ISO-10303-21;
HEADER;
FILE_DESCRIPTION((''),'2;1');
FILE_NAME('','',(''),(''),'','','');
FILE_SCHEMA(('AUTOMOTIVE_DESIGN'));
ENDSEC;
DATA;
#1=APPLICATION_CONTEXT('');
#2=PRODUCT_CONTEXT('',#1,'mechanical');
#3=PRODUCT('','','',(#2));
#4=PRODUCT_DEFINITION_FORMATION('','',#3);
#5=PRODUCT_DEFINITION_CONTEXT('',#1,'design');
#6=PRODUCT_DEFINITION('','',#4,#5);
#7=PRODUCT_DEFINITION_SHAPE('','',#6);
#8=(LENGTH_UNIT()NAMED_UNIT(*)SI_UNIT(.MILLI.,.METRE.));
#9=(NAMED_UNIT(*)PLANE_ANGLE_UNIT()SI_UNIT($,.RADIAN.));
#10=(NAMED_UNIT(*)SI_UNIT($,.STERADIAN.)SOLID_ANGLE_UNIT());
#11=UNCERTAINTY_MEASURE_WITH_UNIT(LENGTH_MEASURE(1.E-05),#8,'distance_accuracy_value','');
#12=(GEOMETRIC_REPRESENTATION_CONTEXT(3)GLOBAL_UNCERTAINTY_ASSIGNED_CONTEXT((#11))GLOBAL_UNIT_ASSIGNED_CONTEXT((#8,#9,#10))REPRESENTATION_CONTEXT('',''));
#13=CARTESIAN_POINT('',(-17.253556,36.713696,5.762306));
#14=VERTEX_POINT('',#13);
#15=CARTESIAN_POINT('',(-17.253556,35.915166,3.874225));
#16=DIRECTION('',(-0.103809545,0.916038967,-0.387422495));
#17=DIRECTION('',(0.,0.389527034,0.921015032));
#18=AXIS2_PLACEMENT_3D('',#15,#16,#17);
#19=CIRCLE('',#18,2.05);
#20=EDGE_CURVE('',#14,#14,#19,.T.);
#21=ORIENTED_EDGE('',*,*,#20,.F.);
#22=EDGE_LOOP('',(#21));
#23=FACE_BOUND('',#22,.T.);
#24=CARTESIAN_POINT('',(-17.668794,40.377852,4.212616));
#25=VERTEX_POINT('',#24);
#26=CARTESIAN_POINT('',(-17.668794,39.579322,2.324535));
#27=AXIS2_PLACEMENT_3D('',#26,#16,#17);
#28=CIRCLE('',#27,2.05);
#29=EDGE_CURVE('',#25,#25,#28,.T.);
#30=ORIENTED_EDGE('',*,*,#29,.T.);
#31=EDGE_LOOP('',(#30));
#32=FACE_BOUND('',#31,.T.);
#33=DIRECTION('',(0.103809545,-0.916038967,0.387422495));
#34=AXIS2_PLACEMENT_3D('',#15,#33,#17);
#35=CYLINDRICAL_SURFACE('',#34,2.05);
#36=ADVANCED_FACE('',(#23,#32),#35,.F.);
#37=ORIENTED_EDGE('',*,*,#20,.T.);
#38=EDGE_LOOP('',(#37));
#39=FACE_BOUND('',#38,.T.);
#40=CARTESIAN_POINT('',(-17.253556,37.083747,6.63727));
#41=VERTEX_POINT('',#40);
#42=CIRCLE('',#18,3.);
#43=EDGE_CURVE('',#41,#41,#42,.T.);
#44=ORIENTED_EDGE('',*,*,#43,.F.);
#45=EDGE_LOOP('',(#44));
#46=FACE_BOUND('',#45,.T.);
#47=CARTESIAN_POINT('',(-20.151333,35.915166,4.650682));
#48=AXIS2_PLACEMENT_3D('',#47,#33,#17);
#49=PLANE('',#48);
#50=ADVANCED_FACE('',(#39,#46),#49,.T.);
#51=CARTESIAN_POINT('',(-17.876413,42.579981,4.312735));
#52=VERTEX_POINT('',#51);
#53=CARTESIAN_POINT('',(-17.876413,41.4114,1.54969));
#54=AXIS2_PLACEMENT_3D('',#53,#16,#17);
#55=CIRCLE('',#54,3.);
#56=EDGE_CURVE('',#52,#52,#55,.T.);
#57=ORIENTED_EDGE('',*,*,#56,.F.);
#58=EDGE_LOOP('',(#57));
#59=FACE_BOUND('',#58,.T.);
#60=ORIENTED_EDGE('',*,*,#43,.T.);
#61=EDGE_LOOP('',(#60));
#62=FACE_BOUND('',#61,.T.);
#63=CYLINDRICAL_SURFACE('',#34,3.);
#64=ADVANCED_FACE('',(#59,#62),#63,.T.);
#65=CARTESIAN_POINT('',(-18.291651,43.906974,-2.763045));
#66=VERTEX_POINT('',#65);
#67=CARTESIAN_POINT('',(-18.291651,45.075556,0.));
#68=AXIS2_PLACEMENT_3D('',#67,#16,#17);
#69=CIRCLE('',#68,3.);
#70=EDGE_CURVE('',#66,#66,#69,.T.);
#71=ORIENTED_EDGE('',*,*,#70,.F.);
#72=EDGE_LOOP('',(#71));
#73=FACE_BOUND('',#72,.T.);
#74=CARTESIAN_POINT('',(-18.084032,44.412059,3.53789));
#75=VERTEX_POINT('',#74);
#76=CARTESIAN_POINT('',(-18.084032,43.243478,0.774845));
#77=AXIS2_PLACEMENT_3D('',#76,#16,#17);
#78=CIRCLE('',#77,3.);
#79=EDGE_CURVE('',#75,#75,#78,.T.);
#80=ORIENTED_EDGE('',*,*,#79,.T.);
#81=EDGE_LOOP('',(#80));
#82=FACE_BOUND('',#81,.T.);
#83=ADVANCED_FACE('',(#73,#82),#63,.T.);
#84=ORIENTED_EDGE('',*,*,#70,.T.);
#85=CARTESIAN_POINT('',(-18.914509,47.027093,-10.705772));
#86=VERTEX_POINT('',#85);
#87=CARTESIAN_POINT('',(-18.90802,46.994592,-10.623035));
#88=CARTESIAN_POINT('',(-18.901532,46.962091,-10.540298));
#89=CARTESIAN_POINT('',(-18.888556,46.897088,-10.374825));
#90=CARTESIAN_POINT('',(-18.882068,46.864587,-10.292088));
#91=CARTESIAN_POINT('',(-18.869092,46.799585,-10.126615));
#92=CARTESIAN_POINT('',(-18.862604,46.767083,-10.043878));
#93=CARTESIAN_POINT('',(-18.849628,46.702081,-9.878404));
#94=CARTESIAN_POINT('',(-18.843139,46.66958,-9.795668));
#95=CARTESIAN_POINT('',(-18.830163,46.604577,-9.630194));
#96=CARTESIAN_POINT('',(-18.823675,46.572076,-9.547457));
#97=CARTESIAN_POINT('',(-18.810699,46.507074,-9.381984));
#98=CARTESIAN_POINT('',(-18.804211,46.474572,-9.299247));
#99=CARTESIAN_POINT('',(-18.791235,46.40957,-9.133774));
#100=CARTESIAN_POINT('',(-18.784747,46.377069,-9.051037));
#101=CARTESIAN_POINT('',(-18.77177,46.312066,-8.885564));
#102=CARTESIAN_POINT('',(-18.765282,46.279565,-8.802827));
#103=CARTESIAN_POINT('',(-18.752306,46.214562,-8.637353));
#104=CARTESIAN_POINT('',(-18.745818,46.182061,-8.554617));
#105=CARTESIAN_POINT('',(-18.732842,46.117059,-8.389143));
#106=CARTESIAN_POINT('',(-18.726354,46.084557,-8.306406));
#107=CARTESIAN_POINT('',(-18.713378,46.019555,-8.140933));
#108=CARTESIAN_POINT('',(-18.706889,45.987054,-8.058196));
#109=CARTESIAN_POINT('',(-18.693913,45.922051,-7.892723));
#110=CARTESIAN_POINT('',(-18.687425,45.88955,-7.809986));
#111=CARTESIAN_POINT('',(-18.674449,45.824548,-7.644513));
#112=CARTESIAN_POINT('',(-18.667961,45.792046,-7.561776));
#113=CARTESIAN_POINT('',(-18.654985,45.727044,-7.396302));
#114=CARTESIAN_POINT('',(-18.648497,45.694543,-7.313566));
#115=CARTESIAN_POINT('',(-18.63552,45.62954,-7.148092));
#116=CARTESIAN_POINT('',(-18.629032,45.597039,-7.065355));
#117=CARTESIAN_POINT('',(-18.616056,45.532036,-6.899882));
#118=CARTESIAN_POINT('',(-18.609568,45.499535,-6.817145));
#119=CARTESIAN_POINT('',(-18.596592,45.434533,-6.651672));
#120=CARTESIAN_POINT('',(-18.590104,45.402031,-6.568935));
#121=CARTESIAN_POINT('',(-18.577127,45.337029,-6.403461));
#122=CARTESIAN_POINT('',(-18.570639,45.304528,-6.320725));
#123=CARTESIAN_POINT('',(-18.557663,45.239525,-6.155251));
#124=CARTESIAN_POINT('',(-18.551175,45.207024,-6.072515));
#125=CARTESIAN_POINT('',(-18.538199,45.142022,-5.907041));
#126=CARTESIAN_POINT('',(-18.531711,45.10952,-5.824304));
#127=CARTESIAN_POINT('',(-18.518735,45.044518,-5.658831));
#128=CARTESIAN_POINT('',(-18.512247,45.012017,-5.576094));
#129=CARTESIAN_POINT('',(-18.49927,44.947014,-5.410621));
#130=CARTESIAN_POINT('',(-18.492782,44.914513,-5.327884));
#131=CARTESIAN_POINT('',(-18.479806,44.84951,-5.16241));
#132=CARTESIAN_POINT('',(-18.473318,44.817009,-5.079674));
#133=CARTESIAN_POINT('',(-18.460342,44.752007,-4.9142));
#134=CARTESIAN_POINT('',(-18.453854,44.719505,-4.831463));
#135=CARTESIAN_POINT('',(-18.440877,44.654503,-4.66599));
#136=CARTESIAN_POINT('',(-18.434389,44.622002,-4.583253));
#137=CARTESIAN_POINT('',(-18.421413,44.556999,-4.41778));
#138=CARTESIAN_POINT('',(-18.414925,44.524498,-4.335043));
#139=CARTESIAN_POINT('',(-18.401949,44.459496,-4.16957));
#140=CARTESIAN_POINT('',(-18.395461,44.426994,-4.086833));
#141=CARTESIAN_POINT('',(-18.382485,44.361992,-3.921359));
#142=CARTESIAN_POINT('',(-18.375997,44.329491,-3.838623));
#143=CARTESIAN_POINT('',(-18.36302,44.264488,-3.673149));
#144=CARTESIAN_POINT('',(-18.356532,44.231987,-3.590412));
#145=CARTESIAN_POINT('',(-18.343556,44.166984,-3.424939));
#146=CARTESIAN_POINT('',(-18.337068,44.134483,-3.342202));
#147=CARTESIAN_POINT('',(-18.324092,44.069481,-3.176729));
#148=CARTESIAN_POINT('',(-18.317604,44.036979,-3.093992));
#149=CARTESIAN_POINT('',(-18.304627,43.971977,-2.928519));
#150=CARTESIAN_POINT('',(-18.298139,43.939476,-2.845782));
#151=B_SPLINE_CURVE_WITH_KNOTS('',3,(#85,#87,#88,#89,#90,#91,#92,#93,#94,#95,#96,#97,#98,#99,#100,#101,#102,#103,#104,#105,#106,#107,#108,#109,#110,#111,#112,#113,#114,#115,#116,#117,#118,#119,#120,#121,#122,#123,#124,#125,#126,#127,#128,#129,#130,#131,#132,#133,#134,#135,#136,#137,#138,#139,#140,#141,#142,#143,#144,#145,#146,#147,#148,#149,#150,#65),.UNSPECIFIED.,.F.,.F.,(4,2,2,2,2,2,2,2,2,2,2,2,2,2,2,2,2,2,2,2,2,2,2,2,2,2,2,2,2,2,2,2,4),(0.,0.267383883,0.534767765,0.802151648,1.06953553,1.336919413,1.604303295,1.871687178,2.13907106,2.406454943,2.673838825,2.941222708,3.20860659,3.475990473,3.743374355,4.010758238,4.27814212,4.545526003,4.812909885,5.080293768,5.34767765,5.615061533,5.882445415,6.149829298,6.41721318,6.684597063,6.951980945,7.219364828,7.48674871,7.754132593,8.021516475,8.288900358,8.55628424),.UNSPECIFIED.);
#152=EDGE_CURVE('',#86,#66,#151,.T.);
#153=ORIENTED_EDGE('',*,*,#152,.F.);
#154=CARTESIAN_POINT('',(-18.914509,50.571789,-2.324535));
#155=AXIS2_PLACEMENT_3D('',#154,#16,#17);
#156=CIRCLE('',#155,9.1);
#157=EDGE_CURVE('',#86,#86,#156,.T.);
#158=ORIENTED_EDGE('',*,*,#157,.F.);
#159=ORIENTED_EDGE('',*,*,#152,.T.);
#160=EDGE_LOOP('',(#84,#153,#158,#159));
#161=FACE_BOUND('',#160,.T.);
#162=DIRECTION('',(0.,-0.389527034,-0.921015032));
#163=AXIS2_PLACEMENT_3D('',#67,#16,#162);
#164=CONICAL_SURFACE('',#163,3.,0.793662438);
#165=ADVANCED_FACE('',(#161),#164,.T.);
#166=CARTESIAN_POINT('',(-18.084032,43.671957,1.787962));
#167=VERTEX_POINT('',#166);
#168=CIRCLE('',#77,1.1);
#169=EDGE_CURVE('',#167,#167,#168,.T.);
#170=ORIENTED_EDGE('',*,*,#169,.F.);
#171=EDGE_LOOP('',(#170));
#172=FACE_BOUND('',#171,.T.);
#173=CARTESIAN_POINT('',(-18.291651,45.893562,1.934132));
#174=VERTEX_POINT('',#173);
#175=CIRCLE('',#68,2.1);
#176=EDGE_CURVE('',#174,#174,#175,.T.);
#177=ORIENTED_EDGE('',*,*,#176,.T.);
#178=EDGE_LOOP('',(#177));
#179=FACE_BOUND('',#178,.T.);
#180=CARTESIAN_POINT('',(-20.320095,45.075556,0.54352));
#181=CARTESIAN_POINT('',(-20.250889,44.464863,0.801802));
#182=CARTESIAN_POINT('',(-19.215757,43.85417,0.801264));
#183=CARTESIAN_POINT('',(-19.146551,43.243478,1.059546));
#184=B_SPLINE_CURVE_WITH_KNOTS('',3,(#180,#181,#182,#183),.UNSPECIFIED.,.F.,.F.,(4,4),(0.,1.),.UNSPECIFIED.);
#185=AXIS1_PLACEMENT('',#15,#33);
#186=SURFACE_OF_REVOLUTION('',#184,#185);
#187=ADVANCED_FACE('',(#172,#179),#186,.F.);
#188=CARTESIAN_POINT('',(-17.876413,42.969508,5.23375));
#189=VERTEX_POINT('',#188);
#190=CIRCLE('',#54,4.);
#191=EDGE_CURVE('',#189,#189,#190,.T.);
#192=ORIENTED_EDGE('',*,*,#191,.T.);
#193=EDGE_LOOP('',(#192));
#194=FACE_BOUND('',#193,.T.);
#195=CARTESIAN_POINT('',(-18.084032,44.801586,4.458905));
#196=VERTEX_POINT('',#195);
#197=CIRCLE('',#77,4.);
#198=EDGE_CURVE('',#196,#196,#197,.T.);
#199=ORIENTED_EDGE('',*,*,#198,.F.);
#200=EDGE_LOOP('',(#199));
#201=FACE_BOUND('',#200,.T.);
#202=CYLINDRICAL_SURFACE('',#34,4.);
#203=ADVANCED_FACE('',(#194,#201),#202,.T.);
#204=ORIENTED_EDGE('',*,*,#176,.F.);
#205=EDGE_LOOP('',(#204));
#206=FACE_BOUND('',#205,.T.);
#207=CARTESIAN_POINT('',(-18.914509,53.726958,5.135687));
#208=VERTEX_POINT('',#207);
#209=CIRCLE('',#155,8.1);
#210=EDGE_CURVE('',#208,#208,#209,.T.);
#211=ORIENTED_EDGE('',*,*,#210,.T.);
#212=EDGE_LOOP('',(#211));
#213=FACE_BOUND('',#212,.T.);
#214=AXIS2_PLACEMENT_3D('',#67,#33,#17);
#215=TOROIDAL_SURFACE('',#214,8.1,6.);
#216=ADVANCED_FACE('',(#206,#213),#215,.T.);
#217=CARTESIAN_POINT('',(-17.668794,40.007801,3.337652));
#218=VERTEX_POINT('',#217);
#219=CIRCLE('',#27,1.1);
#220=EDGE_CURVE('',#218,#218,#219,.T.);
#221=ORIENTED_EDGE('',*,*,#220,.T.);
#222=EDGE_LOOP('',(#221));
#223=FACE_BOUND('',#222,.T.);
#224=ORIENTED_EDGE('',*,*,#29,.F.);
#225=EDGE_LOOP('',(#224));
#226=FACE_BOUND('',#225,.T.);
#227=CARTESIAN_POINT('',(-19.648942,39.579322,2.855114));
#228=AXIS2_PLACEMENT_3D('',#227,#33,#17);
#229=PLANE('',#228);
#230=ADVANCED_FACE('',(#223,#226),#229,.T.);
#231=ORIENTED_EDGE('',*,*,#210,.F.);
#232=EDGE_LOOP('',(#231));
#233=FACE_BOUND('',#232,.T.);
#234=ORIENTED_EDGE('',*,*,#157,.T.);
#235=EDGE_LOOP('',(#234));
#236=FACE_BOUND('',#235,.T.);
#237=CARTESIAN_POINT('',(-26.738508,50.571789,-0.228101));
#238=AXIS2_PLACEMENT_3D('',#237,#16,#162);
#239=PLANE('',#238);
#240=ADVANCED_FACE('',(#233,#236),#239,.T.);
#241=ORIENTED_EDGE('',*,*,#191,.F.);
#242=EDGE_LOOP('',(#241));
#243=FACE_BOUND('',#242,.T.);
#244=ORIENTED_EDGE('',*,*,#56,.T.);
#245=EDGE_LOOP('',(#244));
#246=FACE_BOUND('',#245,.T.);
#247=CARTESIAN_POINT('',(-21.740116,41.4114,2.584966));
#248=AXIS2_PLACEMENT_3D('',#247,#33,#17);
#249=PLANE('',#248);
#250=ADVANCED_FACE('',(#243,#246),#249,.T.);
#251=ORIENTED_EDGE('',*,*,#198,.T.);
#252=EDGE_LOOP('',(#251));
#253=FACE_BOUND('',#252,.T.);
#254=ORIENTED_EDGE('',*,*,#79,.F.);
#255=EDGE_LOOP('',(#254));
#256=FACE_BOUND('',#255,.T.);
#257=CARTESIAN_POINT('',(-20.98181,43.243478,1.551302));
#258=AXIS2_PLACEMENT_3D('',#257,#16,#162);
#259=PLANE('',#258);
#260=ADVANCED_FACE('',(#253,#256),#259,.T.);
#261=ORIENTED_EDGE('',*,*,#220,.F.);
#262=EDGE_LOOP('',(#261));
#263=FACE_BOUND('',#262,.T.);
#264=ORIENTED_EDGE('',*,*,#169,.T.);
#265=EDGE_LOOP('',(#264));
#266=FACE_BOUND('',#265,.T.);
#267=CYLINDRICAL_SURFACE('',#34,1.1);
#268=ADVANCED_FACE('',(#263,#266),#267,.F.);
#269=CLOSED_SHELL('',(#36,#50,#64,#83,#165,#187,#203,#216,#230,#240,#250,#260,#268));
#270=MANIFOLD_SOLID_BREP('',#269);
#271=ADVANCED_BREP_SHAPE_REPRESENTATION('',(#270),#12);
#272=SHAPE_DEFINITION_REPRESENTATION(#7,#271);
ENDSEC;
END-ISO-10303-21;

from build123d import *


with BuildPart() as part:
    # Inlet Fairlead Liner Profile → Inlet Fairlead Liner Feature (revolve)
    with BuildSketch(Plane(origin=(3.258206564, -5.512003586, 12.159792439), x_dir=(0.9714880974430896, 0.09788446030256422, -0.21593866943574938), z_dir=(0.23708833064156934, -0.4010892811605493, 0.8848256958360261)), mode=Mode.PRIVATE) as inlet_fairlead_liner_feature_sk:
        with BuildLine():
            Line((-23.152018399, -30.892753147), (-23.579443274, -34.869851081))
            Line((-23.579443274, -34.869851081), (-22.634882515, -34.971364489))
            Line((-22.634882515, -34.971364489), (-23.062307391, -38.948462423))
            add(Edge.make_bspline(
                [(-23.062307391, -38.948462423), (-23.13354487, -39.611312079), (-24.199056833, -40.167305516), (-24.270294312, -40.830155171)],
                knots=[0, 0, 0, 0, 1, 1, 1, 1], degree=3))
            ThreePointArc((-24.270294312, -40.830155171), (-26.470944377, -44.860719778), (-30.877078526, -46.154664759))
            Line((-30.877078526, -46.154664759), (-31.871353009, -46.04780854))
            Line((-31.871353009, -46.04780854), (-25.165141347, -40.733984574))
            Line((-25.165141347, -40.733984574), (-24.951428909, -38.745435607))
            Line((-24.951428909, -38.745435607), (-25.945703393, -38.638579389))
            Line((-25.945703393, -38.638579389), (-25.731990955, -36.650030422))
            Line((-25.731990955, -36.650030422), (-24.737716471, -36.75688664))
            Line((-24.737716471, -36.75688664), (-24.096579158, -30.79123974))
            Line((-24.096579158, -30.79123974), (-23.152018399, -30.892753147))
        make_face()
    revolve(inlet_fairlead_liner_feature_sk.sketch.rotate(Axis((-17.253555798, -35.915165888, 3.874224953), (-0.10380954475082989, -0.9160389667138149, -0.38742249532069234)), 283.790724011), axis=Axis((-17.253555798, -35.915165888, 3.874224953), (-0.10380954475082989, -0.9160389667138149, -0.38742249532069234)))


with BuildPart() as body_2:
    # Mirror1: mirrored copy
    add(part.part.mirror(Plane(origin=(0, 0, 0), x_dir=(0, 0, 1), z_dir=(0, -1, 0))))


solid = body_2.part
